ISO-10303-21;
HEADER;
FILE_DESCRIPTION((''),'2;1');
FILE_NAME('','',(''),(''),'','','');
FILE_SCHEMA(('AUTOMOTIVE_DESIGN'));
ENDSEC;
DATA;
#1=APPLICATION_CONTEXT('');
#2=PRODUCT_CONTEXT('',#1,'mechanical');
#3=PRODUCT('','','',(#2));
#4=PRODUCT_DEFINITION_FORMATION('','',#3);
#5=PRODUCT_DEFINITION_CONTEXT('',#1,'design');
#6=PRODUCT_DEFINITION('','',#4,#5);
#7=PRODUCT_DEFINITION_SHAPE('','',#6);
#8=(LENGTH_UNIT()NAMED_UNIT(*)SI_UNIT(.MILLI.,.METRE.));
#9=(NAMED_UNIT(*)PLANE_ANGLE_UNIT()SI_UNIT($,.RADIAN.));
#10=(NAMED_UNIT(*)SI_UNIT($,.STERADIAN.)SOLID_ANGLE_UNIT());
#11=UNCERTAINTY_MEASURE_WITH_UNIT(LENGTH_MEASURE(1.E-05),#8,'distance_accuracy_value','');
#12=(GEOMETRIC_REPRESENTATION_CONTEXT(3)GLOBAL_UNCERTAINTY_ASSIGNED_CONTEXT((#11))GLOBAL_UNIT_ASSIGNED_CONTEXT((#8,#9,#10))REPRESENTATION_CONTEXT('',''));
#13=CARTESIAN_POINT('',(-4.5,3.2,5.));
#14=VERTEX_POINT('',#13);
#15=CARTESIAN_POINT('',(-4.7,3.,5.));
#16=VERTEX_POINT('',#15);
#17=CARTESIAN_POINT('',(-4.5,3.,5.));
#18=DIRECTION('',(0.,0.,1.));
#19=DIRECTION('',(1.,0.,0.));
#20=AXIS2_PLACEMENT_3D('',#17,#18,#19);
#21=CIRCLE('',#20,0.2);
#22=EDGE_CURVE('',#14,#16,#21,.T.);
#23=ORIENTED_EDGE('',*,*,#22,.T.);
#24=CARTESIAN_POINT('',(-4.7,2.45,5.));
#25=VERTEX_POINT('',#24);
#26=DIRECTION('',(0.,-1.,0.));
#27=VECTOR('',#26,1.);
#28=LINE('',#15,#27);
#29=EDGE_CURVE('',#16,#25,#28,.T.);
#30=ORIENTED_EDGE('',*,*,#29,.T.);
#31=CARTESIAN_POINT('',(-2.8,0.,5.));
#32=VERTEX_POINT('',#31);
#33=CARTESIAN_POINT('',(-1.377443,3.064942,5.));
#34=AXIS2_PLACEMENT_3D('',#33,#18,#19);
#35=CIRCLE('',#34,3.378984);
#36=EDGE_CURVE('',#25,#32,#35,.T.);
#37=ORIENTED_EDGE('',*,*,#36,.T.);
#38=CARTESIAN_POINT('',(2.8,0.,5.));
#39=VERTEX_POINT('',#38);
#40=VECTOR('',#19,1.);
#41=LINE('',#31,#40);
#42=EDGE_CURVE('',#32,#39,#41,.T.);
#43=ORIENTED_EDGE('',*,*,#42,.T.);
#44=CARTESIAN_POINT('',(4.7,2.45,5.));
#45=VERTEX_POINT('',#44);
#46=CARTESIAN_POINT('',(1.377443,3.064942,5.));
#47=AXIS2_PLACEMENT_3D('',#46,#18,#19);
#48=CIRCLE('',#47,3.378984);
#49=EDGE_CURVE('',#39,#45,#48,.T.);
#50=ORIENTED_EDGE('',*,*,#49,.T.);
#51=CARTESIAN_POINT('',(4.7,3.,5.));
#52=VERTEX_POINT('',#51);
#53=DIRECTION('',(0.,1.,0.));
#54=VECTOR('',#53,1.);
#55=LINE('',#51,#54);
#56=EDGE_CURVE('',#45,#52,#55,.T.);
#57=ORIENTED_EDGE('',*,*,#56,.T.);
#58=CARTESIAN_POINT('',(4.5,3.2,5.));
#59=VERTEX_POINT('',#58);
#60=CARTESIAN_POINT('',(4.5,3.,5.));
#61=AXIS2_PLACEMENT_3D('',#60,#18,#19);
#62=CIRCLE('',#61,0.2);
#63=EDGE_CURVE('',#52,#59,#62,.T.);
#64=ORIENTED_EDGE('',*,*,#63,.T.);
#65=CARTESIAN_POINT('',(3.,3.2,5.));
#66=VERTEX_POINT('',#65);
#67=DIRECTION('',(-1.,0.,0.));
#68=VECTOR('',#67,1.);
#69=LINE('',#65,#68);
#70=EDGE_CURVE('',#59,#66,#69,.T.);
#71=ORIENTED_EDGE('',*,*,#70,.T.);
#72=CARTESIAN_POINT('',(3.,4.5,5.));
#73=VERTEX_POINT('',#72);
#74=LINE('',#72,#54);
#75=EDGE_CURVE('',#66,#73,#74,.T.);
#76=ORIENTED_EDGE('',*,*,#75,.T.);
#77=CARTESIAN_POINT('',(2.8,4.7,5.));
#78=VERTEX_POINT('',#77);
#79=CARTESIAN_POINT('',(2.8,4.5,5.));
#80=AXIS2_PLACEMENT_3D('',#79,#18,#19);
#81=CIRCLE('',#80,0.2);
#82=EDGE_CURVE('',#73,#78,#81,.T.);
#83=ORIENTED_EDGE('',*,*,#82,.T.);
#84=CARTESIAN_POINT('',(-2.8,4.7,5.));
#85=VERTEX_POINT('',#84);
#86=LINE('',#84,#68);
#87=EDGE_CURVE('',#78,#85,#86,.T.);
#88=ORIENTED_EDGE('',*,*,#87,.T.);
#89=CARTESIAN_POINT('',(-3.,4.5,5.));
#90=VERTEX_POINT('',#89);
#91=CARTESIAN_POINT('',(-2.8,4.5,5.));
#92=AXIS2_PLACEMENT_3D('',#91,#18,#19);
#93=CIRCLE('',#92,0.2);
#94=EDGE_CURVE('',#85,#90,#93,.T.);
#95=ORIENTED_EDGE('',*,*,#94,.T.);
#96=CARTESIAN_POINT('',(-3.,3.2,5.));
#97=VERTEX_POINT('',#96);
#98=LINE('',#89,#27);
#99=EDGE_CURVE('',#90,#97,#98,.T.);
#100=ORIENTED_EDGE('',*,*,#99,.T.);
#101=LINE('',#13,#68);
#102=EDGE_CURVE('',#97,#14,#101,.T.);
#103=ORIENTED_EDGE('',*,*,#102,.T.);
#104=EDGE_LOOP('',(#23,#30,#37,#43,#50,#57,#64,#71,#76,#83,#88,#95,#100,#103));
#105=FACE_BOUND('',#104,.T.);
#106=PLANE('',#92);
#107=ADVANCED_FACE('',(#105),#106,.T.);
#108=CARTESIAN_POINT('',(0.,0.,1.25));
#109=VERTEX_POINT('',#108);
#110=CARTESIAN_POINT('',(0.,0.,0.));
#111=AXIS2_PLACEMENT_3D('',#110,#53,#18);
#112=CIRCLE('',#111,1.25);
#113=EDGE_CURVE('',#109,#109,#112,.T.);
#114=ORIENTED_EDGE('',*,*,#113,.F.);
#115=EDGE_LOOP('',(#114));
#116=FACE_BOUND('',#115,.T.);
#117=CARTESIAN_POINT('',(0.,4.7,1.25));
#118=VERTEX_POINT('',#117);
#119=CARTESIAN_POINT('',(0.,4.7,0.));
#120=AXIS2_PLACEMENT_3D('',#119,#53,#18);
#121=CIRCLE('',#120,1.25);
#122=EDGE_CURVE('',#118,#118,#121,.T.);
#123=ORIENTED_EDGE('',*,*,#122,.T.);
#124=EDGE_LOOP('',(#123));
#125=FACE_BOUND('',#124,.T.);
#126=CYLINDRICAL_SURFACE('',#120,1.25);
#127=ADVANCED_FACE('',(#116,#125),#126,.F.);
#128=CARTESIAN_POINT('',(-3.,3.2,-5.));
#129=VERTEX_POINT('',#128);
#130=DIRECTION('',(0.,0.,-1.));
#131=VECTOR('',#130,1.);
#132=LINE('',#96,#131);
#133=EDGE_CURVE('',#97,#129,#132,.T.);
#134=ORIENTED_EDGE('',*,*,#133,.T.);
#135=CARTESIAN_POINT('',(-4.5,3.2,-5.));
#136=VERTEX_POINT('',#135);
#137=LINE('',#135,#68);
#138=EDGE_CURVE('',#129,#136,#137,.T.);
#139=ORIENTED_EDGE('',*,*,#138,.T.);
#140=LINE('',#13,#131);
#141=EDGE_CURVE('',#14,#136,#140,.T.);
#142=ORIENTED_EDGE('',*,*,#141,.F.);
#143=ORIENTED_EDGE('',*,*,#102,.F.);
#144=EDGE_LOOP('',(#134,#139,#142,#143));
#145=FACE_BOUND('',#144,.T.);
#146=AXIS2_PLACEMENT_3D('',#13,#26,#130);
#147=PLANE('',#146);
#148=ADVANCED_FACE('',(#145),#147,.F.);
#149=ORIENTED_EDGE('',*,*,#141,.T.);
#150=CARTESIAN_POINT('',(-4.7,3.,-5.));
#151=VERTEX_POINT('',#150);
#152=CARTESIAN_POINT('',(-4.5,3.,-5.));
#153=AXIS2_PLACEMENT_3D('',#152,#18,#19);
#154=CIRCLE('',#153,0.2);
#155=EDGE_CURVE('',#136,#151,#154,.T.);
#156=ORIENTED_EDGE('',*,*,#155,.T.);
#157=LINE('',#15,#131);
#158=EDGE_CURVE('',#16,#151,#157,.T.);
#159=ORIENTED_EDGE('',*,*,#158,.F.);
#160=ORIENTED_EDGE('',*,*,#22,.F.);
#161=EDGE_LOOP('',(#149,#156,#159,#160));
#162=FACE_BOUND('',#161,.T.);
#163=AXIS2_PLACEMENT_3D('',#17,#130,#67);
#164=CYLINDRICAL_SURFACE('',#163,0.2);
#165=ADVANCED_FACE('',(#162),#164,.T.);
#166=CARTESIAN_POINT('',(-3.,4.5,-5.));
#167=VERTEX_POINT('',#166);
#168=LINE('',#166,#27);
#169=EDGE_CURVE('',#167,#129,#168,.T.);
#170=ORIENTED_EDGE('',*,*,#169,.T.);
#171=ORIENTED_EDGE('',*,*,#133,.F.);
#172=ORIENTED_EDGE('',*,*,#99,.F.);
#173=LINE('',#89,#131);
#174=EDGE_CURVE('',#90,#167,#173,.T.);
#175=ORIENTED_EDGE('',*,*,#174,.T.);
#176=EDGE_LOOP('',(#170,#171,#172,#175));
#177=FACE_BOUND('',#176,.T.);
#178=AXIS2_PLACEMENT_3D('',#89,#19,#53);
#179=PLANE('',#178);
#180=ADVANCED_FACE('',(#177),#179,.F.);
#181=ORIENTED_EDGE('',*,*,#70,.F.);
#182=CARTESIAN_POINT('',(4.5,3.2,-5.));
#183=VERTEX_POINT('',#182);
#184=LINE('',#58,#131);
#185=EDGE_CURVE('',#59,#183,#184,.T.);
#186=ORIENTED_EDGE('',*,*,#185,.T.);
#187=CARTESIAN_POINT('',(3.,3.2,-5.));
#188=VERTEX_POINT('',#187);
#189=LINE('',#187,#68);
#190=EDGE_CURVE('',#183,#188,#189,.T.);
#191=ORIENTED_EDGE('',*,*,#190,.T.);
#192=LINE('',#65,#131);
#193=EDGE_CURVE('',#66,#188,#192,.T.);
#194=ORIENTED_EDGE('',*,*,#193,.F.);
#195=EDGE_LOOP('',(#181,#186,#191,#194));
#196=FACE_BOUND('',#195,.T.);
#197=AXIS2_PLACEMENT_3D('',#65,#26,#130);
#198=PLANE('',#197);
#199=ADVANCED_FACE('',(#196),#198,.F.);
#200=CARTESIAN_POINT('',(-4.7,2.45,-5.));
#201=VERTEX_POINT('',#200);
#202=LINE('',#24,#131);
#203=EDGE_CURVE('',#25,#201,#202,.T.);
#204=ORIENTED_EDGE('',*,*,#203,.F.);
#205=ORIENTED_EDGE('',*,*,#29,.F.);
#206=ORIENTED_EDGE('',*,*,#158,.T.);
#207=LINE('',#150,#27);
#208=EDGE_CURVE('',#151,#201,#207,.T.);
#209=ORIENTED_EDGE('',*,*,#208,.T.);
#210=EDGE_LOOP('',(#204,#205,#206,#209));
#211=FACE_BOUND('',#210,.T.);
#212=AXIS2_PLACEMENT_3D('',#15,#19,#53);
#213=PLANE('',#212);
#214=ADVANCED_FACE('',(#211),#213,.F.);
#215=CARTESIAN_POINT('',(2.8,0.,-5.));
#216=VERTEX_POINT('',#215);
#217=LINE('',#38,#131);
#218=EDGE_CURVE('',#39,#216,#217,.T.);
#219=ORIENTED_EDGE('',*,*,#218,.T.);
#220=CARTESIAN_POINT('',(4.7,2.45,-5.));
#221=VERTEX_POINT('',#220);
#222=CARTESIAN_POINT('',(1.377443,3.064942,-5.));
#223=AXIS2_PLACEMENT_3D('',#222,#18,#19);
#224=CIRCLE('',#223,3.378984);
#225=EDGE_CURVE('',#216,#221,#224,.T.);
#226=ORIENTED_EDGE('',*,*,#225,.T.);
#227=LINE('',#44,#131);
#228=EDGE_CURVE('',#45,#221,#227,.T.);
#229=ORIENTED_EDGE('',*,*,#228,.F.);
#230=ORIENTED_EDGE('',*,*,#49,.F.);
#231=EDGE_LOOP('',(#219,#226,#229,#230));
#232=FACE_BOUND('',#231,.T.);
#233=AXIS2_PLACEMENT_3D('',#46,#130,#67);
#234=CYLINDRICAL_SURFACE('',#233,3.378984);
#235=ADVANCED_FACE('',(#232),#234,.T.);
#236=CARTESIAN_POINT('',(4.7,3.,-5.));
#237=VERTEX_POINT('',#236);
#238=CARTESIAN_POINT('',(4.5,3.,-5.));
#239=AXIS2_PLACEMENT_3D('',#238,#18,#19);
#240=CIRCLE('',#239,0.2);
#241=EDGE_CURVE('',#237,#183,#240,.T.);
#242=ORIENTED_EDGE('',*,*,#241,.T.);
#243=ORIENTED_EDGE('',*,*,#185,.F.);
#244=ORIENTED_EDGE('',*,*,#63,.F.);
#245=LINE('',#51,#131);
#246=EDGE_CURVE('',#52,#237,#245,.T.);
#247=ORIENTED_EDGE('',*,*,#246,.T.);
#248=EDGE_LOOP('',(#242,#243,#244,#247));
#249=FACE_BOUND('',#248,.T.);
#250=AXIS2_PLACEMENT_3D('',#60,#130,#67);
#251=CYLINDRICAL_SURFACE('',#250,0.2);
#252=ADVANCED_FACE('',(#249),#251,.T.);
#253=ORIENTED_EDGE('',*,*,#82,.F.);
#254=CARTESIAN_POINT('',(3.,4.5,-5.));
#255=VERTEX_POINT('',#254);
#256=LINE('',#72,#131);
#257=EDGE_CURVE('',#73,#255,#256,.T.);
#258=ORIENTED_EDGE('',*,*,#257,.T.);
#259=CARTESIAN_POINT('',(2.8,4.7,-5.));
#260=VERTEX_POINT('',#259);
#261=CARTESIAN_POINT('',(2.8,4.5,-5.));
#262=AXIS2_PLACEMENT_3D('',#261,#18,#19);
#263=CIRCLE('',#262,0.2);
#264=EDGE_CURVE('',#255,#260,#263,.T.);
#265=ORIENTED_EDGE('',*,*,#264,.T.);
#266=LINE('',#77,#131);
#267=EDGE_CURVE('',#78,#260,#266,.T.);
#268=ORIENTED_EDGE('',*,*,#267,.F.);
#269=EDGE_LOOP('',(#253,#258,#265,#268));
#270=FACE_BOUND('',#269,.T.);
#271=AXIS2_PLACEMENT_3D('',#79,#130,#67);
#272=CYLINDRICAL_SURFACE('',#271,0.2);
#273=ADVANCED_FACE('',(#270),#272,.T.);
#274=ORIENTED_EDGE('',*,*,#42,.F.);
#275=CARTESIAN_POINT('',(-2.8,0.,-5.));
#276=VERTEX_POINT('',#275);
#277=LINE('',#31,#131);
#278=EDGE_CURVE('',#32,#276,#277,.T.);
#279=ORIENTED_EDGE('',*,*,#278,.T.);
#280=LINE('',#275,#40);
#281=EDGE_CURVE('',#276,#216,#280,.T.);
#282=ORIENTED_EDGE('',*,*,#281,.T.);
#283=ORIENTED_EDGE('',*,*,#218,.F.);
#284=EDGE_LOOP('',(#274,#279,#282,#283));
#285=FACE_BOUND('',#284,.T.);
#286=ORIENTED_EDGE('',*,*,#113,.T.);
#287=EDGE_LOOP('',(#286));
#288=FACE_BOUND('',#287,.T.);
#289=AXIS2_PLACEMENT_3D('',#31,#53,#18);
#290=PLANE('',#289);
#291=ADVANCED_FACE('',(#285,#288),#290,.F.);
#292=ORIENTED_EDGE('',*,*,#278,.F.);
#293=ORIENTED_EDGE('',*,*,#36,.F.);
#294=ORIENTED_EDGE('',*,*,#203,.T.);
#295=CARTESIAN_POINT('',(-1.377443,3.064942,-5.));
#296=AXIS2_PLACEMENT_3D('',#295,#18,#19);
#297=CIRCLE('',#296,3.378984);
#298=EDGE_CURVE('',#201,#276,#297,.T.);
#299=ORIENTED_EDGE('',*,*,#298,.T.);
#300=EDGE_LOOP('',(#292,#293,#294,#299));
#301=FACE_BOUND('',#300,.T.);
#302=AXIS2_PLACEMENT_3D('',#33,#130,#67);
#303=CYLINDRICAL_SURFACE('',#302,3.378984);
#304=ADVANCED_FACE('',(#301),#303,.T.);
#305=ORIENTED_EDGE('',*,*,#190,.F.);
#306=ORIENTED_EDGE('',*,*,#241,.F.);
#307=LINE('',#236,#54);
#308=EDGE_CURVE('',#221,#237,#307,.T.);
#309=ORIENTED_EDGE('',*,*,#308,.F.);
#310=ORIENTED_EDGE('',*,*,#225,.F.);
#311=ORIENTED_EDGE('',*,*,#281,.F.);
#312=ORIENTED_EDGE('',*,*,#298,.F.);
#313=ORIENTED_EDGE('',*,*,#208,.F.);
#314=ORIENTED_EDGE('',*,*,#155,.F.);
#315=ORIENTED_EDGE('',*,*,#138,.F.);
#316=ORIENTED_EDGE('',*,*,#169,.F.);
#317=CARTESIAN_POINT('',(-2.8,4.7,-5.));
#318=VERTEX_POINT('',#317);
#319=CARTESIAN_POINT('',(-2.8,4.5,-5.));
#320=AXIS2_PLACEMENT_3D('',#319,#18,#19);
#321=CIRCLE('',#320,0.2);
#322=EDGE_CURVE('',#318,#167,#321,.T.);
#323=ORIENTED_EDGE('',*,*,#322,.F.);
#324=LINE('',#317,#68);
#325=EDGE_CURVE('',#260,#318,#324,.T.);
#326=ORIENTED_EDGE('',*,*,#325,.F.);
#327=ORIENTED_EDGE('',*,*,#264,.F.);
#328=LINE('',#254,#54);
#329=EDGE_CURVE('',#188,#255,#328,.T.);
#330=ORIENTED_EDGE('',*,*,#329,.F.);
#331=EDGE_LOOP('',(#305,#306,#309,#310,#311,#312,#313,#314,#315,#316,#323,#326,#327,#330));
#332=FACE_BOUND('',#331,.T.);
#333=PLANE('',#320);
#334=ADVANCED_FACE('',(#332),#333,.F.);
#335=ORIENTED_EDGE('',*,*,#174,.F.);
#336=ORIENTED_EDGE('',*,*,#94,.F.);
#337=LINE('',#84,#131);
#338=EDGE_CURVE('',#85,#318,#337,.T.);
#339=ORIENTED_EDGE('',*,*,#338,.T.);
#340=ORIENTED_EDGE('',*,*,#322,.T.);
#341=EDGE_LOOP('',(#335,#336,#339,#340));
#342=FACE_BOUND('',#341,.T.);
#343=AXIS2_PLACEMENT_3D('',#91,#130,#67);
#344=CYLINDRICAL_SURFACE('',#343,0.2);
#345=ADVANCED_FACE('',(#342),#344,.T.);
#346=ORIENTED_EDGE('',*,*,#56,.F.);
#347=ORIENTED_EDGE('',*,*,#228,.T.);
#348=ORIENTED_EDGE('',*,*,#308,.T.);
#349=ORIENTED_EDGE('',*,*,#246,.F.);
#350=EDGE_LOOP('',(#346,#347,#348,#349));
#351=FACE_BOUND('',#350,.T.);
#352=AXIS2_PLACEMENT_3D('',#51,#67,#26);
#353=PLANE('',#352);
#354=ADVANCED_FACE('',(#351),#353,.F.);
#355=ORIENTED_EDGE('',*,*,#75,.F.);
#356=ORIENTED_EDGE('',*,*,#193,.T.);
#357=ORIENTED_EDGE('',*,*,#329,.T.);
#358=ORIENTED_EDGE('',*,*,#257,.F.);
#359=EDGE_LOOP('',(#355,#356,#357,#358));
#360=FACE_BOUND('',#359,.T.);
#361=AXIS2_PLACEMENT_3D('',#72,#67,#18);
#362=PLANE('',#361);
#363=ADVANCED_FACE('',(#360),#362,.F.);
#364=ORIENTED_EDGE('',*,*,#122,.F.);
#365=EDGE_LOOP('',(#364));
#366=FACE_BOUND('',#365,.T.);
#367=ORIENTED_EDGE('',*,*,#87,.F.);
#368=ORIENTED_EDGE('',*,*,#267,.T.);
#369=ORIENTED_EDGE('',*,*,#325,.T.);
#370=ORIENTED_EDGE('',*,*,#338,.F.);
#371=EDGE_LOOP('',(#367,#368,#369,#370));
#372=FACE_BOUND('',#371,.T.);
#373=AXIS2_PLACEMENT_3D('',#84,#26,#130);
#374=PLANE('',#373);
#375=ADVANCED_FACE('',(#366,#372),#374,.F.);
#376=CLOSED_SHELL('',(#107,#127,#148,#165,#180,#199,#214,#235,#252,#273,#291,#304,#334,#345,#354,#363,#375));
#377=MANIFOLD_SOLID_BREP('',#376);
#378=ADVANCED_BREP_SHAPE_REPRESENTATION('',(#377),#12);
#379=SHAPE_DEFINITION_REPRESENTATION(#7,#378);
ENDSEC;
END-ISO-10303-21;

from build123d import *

# Parameters (mm, degrees)
EXTRUDE_1_DEPTH      = 5
HOLE_WIZARD_M3_D     = 2.5
HOLE_WIZARD_M3_DEPTH = 7.5
HOLE_WIZARD_M3_TIP   = 0.751075774


with BuildPart() as part:
    # 草图1 → 凸台-拉伸1 (new, symmetric)
    with BuildSketch(Plane.XY):
        with BuildLine():
            Line((-2.8, 4.7), (2.8, 4.7))
            ThreePointArc((2.8, 4.7), (2.941421356, 4.641421356), (3, 4.5))
            Line((3, 4.5), (3, 3.2))
            Line((3, 3.2), (4.5, 3.2))
            ThreePointArc((4.5, 3.2), (4.641421356, 3.141421356), (4.7, 3))
            Line((4.7, 3), (4.7, 2.45))
            ThreePointArc((4.7, 2.45), (4.047583818, 0.994220712), (2.8, 0))
            Line((2.8, 0), (-2.8, 0))
            ThreePointArc((-2.8, 0), (-4.047583818, 0.994220712), (-4.7, 2.45))
            Line((-4.7, 2.45), (-4.7, 3))
            ThreePointArc((-4.7, 3), (-4.641421356, 3.141421356), (-4.5, 3.2))
            Line((-4.5, 3.2), (-3, 3.2))
            Line((-3, 3.2), (-3, 4.5))
            ThreePointArc((-3, 4.5), (-2.941421356, 4.641421356), (-2.8, 4.7))
        make_face()
    extrude(amount=EXTRUDE_1_DEPTH, both=True)

    # M3螺纹孔
    with Locations(Plane.ZX.offset(4.7)):
        with Locations((0, 0)):
            Hole(HOLE_WIZARD_M3_D / 2, depth=HOLE_WIZARD_M3_DEPTH)
            with Locations((0, 0, -(HOLE_WIZARD_M3_DEPTH + HOLE_WIZARD_M3_TIP / 2))):  # 118° drill point
                Cone(0, HOLE_WIZARD_M3_D / 2, HOLE_WIZARD_M3_TIP, mode=Mode.SUBTRACT)


solid = part.part
